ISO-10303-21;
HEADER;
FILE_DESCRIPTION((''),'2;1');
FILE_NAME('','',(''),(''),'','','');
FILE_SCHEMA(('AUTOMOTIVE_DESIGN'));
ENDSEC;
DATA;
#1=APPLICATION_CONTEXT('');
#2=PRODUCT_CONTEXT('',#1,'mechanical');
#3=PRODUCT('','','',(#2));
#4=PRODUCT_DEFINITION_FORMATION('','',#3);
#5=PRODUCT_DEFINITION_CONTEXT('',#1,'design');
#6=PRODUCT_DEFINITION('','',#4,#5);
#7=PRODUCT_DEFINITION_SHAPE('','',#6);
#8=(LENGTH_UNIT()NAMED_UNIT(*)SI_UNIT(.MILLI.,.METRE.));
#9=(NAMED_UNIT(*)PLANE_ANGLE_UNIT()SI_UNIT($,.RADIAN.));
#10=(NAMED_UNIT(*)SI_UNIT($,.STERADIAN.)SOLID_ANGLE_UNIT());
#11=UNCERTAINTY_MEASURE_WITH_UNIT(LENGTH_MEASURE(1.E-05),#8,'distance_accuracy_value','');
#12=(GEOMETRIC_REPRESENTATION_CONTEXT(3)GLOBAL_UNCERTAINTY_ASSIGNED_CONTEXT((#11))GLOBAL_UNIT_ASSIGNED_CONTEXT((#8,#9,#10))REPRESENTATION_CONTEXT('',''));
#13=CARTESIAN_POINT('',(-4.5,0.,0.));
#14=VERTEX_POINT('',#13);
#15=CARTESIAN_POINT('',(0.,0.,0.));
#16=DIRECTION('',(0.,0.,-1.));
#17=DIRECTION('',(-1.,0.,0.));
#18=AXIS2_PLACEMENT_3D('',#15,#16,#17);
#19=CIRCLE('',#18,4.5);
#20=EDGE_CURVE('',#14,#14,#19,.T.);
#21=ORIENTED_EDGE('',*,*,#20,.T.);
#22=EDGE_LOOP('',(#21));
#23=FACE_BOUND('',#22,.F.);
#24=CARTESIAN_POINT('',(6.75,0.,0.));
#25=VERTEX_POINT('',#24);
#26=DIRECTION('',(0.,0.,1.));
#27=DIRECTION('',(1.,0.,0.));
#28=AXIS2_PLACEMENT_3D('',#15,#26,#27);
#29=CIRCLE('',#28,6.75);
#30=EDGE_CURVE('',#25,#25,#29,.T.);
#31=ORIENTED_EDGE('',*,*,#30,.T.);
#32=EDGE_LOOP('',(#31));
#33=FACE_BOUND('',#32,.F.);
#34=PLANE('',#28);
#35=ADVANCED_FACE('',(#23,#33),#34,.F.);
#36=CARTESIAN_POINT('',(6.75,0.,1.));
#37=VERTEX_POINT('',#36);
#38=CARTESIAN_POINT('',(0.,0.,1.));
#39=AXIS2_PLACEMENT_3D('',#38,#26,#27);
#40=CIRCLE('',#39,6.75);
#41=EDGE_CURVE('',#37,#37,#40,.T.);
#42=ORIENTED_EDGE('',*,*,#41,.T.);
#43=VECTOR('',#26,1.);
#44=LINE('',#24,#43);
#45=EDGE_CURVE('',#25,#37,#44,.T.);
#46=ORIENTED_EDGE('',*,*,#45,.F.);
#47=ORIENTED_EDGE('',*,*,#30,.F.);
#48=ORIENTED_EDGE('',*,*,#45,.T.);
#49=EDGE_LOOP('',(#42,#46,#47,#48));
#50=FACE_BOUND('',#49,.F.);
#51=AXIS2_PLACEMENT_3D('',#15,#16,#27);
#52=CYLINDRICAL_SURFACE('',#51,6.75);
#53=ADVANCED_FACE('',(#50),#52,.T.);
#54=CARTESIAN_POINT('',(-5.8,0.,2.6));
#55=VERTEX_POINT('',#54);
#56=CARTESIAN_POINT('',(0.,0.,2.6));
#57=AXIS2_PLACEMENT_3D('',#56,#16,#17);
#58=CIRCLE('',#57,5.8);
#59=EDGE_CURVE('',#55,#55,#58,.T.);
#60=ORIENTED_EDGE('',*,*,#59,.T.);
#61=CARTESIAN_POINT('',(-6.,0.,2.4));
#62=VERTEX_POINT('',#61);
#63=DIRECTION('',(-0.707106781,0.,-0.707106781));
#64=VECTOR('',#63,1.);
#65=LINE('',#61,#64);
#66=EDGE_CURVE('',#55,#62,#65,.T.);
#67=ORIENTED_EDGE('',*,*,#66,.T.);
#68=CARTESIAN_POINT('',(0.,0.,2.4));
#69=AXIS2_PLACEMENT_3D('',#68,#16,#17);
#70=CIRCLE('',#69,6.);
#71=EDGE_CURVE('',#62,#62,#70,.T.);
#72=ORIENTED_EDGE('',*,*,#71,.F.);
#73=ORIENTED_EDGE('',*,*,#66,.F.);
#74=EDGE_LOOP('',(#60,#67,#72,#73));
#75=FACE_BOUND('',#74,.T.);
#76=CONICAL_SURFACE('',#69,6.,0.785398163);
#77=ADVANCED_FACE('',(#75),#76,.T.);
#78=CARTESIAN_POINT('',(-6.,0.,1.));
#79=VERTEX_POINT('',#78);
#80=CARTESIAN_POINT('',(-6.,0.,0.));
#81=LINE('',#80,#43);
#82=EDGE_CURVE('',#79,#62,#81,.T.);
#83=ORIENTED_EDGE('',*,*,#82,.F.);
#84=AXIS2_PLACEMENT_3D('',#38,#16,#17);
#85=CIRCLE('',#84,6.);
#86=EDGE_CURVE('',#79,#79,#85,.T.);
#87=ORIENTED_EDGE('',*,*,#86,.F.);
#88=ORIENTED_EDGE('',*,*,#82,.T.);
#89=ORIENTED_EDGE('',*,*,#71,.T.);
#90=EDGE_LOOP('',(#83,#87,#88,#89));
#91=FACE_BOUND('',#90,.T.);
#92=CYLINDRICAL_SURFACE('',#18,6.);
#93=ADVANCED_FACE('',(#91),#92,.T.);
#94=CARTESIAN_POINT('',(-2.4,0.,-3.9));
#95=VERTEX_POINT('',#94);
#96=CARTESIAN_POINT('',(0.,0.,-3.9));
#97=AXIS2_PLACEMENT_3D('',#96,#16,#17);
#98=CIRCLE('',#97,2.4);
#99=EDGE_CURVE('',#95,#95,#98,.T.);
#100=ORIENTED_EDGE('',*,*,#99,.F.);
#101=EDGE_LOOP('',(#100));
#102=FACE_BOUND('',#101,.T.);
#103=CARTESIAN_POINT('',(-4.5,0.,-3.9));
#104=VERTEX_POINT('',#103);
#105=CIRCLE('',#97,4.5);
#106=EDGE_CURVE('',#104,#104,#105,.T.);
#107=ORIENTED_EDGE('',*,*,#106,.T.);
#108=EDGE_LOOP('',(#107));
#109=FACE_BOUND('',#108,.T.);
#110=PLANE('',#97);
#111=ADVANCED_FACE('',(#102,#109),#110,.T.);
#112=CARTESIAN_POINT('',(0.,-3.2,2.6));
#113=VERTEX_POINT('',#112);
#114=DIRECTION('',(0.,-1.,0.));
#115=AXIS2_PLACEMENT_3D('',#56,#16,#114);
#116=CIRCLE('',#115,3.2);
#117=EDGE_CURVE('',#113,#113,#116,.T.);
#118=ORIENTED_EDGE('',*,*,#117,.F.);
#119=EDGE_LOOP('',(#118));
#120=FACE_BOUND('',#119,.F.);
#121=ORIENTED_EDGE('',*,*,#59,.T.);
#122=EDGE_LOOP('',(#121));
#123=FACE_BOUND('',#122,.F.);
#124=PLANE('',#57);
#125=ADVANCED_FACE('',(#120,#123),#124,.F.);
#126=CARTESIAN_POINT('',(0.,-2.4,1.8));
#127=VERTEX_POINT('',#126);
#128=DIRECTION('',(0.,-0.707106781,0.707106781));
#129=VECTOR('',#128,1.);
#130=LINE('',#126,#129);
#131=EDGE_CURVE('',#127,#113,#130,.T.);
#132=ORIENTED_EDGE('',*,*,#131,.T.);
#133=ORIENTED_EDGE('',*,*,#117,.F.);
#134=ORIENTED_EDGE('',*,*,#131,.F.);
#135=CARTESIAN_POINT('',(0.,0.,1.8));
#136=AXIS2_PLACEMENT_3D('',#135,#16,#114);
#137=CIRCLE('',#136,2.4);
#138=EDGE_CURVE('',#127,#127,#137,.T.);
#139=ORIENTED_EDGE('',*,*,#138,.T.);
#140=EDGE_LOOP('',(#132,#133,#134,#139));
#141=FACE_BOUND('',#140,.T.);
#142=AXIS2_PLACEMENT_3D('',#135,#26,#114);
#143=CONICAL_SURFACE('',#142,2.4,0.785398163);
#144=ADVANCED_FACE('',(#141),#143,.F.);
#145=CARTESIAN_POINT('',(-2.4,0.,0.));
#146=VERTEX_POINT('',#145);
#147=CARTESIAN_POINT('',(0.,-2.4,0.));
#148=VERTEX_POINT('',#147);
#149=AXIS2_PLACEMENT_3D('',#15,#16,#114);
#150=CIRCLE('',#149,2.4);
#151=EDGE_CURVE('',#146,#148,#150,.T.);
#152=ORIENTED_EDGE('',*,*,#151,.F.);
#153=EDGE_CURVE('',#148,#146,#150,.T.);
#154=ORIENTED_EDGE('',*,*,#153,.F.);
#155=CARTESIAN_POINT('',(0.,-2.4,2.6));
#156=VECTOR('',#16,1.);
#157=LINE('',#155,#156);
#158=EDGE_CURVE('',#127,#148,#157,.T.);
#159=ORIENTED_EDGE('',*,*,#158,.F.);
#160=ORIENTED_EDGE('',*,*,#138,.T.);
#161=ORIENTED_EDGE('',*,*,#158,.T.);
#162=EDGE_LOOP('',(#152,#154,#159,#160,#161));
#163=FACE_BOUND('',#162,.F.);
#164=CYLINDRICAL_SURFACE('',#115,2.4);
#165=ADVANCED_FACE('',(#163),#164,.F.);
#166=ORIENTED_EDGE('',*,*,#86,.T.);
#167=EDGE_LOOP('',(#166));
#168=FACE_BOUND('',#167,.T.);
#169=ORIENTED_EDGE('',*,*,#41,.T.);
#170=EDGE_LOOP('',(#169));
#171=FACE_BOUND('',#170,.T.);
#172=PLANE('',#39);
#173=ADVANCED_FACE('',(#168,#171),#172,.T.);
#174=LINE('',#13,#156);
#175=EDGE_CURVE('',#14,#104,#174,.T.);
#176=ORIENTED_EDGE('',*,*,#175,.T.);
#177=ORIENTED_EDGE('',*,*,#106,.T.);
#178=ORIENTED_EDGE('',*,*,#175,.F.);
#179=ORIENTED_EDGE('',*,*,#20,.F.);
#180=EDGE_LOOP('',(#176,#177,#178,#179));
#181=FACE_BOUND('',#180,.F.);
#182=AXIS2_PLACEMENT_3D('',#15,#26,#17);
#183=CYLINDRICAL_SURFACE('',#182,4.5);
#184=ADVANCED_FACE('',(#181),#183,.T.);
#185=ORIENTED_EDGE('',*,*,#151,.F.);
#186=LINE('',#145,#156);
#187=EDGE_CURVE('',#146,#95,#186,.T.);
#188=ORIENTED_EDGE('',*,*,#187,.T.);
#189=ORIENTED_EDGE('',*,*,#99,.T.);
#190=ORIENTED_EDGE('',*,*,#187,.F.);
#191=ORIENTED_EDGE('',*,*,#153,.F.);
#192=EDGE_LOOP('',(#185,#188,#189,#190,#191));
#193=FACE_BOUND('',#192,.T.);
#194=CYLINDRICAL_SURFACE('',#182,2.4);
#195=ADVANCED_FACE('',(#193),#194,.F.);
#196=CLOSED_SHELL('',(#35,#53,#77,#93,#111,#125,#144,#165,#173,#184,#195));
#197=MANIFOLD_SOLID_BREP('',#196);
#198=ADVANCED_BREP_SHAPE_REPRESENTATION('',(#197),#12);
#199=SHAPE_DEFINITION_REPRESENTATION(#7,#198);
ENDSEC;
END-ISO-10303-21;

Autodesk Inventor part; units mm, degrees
ref_plane "YZ Plane" through (0, 0, 0) normal (1, 0, 0) x (0, 1, 0)
ref_plane "XZ Plane" through (0, 0, 0) normal (0, 1, 0) x (-1, 0, 0)
ref_plane "XY Plane" through (0, 0, 0) normal (0, 0, 1) x (1, 0, 0)
sketch "Sketch1" plane through (0, 0, 0) normal (0, 0, 1) x (1, 0, 0)
  circle A0 centre (0, 0) radius 6.75
  dimension "d0" = 13.5
extrude "Extrusion1" add sketch "Sketch1" along normal blind 1
sketch "Sketch2" plane through (0, 0, 1) normal (0, 0, 1) x (1, 0, 0)
  circle A0 centre (0, 0) radius 6.75 projected
  line L0 (-6.75, 6.75) -> (6.75, 6.75) construction
  line L1 (6.75, 6.75) -> (6.75, -6.75) construction
  line L2 (6.75, -6.75) -> (-6.75, -6.75) construction
  line L3 (-6.75, -6.75) -> (-6.75, 6.75) construction
  line L4 (-6.75, 6.75) -> (6.75, -6.75) construction
  dimension "d4" = 13.5
decal "Decal1"
sketch "Sketch3" plane through (0, 0, 0) normal (0, 0, -1) x (-1, 0, 0)
  circle A0 centre (0, 0) radius 6
  dimension "d6" = 12
extrude "Extrusion2" add sketch "Sketch3" against normal blind 2.6
hole "Hole1" at (0, 0, 2.6) direction (0, 0, -1) diameter 4.8 end through all
chamfer "Chamfer1" distance 0.8 angle 45 1 edges at (0, 2.4, 2.6)
chamfer "Chamfer2" distance 0.2 angle 45 1 edges at (6, 0, 2.6)
sketch "Sketch4" plane through (0, 0, 0) normal (0, 0, -1) x (-1, 0, 0)
  circle A0 centre (0, 0) radius 2.4 projected
  circle A1 centre (0, 0) radius 4.5
  circle A2 centre (0, 0) radius 2.4
  dimension "d24" = 9
extrude "Extrusion3" add sketch "Sketch4" along normal blind 3.9
properties part number "lens"
